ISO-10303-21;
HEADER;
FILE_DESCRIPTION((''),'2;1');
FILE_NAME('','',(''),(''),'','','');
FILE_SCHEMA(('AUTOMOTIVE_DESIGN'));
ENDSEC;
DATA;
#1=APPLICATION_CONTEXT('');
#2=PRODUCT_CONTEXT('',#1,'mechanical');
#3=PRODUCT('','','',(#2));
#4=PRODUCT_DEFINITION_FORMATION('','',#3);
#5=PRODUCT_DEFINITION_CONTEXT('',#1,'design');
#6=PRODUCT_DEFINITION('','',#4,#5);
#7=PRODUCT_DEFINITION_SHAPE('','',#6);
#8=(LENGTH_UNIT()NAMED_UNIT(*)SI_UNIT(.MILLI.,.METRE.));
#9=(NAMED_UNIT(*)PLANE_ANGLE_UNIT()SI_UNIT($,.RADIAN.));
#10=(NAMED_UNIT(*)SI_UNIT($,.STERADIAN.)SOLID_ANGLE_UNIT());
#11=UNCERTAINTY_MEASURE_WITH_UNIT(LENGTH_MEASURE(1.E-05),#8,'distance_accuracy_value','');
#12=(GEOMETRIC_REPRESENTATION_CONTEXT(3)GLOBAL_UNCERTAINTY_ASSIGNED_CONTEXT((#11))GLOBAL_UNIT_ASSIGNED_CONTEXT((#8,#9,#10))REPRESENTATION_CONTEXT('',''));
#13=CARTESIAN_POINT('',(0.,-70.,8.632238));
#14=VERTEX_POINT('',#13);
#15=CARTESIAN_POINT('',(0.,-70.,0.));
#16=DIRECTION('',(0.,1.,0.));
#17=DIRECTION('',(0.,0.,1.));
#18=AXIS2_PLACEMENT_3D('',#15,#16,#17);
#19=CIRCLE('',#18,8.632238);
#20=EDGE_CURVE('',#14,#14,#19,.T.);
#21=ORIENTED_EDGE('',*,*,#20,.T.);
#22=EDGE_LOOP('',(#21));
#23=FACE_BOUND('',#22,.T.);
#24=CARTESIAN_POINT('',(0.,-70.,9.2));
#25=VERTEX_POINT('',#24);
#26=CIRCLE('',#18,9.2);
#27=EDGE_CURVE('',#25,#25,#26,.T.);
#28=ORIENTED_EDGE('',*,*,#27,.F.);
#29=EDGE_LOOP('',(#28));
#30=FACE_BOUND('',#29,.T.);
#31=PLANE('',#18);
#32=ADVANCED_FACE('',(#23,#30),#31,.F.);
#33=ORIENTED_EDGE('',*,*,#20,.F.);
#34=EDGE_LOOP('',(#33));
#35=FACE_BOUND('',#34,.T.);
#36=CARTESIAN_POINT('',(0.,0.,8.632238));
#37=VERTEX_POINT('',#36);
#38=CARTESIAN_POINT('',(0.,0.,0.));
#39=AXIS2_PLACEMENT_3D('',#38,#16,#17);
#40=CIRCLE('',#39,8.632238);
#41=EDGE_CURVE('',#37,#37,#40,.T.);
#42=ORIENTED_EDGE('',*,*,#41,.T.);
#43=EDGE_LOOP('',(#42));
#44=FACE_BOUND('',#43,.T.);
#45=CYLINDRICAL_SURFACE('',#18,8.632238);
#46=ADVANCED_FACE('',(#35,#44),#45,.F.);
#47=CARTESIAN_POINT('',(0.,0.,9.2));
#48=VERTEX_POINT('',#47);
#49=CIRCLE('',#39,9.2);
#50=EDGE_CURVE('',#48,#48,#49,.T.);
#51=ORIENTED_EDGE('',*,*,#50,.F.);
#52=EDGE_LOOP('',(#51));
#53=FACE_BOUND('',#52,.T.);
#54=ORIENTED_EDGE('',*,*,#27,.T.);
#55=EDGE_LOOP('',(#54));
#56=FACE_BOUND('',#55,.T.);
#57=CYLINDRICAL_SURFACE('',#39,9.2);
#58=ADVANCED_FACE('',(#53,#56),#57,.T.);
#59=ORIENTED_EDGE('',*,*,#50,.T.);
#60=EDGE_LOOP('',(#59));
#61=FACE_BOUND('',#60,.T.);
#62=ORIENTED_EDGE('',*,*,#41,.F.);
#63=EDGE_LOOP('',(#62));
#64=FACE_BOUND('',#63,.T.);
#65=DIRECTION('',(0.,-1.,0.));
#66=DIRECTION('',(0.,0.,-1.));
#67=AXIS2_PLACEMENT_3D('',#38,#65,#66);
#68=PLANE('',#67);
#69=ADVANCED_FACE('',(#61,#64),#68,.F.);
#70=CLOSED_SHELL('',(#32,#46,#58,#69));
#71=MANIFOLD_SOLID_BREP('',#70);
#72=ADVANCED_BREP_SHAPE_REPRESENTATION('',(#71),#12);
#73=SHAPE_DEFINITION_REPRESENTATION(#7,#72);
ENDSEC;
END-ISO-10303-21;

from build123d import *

# Parameters (mm, degrees)
SKETCH_6_W          = 9.2
SKETCH_6_H          = 70
SKETCH_9_R          = 8.632237887
CUT_EXTRUDE_1_DEPTH = 72.198876396


with BuildPart() as part:
    # 草图6 → 旋转2 (revolve)
    with BuildSketch(Plane(origin=(0, 0, 0), x_dir=(0, 0, -1), z_dir=(1, 0, 0)), mode=Mode.PRIVATE) as revolve_2_sk:
        with Locations((4.6, -35)):
            Rectangle(SKETCH_6_W, SKETCH_6_H)
    revolve(revolve_2_sk.sketch.rotate(Axis((0, 0, 0), (0, -1, 0)), 180), axis=Axis((0, 0, 0), (0, -1, 0)))

    # 草图9 → 切除-拉伸1 (cut, through all)
    with BuildSketch(Plane(origin=(0, 0, 0), x_dir=(1, 0, 0), z_dir=(0, 1, 0))):
        with Locations(Location((0, 0, 0), (0, 0, 270))):
            Circle(SKETCH_9_R)
    extrude(amount=-CUT_EXTRUDE_1_DEPTH, mode=Mode.SUBTRACT)


solid = part.part
